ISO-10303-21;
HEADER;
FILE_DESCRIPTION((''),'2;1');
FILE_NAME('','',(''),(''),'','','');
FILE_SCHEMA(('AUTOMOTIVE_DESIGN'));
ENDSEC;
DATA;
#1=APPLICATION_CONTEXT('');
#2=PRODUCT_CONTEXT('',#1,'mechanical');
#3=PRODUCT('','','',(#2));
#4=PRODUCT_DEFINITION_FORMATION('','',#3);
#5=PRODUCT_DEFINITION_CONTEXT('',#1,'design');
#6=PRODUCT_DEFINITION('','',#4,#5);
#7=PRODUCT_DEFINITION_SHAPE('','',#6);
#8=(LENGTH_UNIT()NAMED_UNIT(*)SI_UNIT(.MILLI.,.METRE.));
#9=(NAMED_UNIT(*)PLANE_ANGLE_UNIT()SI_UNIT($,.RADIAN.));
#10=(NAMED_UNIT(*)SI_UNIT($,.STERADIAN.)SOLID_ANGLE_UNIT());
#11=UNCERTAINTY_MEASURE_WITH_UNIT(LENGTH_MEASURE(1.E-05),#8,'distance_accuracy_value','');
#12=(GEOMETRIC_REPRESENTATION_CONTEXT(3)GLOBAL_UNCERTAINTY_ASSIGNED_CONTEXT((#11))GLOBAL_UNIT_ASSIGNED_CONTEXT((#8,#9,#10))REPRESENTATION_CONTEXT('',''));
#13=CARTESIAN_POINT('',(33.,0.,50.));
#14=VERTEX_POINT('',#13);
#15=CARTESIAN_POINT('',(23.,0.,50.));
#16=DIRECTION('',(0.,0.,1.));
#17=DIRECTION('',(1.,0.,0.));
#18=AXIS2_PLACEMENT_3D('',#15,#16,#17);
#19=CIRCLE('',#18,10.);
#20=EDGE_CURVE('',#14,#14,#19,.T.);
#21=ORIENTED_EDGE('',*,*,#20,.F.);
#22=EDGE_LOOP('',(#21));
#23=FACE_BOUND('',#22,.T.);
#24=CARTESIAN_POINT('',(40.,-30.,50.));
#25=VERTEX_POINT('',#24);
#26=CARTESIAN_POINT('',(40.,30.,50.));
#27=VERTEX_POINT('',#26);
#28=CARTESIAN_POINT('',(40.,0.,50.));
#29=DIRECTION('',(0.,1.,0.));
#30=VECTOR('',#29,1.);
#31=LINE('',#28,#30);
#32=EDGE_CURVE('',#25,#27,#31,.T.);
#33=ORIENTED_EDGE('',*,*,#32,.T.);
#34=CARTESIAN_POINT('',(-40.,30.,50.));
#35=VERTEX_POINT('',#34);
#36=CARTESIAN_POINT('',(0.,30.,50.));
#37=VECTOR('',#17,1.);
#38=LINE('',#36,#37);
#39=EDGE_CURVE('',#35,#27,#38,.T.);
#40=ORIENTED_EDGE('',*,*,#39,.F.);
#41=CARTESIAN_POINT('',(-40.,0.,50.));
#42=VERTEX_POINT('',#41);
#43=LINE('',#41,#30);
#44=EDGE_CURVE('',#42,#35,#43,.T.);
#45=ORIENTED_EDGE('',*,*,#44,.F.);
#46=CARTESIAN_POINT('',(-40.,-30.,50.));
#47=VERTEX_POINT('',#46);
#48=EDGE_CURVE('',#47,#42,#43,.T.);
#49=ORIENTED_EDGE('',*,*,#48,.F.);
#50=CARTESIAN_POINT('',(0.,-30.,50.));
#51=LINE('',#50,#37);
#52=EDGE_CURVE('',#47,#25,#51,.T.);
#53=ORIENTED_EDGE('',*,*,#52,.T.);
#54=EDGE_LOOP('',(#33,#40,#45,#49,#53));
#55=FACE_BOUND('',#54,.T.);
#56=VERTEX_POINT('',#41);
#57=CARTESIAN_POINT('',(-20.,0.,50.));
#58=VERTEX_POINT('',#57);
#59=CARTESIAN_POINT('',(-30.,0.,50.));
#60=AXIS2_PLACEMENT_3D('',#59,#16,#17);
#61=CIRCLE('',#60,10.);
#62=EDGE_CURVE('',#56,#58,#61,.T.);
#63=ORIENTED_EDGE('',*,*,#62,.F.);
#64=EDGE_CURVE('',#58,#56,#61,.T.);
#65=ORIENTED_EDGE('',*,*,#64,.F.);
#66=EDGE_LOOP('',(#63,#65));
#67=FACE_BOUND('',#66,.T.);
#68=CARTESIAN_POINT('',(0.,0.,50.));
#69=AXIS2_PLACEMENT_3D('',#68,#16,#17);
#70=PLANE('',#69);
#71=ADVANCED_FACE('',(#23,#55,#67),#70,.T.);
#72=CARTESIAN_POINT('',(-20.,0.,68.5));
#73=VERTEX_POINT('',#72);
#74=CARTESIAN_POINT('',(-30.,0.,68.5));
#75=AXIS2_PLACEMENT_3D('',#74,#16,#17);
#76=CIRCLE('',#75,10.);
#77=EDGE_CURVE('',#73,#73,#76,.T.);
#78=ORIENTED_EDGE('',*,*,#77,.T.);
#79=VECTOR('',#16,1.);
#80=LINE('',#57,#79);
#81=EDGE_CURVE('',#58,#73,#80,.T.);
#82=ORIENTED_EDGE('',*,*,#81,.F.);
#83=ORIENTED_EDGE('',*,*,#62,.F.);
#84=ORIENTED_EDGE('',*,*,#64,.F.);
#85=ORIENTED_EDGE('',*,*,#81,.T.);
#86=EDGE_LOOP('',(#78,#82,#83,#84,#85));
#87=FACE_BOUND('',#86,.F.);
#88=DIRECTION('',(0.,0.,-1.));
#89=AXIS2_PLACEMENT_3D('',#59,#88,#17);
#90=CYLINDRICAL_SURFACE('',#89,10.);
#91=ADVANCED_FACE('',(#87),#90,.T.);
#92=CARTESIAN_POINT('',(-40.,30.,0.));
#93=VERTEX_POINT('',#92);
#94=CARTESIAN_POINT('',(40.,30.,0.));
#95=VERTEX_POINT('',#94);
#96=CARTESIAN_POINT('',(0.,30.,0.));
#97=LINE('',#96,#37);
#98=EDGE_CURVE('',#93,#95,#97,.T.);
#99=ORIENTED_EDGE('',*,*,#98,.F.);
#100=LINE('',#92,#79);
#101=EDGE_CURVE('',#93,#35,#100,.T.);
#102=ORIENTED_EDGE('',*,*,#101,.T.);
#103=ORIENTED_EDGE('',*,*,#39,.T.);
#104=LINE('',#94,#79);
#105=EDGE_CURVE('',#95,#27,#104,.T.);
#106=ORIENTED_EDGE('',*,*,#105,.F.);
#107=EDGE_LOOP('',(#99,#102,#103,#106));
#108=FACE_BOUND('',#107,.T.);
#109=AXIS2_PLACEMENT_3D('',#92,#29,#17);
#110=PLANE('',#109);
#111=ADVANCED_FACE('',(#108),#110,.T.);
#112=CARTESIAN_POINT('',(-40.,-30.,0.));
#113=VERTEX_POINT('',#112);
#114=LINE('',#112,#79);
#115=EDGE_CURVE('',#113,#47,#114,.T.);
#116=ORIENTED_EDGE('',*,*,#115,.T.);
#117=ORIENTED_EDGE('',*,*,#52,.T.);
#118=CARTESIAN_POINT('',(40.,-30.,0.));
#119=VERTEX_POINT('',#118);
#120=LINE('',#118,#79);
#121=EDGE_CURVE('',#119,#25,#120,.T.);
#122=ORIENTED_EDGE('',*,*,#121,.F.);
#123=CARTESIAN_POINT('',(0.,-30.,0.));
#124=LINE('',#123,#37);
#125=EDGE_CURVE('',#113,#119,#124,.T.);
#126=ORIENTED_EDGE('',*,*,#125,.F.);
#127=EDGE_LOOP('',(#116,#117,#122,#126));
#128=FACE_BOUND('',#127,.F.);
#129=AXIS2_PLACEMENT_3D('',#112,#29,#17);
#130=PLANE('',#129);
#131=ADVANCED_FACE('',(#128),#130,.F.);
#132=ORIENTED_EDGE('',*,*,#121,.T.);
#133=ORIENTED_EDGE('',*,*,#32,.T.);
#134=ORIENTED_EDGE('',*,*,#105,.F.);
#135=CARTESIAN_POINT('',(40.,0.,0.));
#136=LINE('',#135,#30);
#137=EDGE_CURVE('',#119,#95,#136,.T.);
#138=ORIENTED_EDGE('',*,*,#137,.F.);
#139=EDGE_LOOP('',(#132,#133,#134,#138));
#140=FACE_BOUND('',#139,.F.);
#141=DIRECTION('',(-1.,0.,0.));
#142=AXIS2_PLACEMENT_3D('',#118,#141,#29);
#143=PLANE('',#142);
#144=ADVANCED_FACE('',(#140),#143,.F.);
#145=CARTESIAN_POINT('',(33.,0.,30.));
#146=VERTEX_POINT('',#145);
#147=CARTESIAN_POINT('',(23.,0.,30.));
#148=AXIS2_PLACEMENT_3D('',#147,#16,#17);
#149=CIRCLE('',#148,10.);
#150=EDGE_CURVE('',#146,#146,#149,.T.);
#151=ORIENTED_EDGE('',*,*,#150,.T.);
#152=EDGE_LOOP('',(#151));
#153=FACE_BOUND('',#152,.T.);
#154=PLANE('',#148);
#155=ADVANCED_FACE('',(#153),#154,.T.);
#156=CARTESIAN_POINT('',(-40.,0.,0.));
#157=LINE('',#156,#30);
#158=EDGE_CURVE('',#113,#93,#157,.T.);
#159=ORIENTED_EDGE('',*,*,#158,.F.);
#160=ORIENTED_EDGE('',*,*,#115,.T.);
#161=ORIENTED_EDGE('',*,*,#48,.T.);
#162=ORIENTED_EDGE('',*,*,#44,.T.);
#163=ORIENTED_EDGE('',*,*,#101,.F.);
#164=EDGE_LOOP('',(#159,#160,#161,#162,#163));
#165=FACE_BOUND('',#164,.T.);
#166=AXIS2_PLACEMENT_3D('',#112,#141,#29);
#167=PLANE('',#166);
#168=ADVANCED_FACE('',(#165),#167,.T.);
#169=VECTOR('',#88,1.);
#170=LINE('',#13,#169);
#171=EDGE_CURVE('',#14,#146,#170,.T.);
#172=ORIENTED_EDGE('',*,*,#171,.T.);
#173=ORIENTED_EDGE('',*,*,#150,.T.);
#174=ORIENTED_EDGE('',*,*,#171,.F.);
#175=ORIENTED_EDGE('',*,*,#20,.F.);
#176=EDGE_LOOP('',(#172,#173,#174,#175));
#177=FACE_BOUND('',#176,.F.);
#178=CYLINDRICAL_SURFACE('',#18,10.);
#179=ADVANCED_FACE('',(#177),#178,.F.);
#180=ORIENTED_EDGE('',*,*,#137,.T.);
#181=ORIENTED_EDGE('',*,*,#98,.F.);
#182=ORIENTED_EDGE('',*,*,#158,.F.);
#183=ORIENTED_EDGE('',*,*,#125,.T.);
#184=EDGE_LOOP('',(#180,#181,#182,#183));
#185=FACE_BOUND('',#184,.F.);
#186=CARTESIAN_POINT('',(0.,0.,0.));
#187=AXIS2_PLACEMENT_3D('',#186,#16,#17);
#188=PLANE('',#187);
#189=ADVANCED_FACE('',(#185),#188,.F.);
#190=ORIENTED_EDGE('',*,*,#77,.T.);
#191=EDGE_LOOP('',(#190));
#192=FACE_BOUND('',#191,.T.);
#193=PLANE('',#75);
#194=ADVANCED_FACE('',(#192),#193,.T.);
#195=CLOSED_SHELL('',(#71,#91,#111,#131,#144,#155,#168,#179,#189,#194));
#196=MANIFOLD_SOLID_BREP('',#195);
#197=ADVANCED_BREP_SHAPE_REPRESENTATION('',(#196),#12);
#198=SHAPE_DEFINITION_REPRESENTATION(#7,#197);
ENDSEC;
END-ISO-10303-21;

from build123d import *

# Parameters (mm, degrees)
F0_W     = 80
F0_H     = 60
F1_DEPTH = 50
F2_R     = 10
F3_DEPTH = 18.5
F4_R     = 10
F5_DEPTH = 20


with BuildPart() as f1:
    # F0 (on Top) → F1 (new body)
    with BuildSketch(Plane.XY):
        Rectangle(F0_W, F0_H)
    extrude(amount=F1_DEPTH)

    # F2 (on face) → F3 (join)
    with BuildSketch(Plane.XY.offset(50)):
        with Locations((-30, 0)):
            Circle(F2_R)
    extrude(amount=F3_DEPTH)

    # F4 (on face) → F5 (cut)
    with BuildSketch(Plane.XY.offset(50)):
        with Locations((23, 0)):
            Circle(F4_R)
    extrude(amount=-F5_DEPTH, mode=Mode.SUBTRACT)


solid = f1.part
